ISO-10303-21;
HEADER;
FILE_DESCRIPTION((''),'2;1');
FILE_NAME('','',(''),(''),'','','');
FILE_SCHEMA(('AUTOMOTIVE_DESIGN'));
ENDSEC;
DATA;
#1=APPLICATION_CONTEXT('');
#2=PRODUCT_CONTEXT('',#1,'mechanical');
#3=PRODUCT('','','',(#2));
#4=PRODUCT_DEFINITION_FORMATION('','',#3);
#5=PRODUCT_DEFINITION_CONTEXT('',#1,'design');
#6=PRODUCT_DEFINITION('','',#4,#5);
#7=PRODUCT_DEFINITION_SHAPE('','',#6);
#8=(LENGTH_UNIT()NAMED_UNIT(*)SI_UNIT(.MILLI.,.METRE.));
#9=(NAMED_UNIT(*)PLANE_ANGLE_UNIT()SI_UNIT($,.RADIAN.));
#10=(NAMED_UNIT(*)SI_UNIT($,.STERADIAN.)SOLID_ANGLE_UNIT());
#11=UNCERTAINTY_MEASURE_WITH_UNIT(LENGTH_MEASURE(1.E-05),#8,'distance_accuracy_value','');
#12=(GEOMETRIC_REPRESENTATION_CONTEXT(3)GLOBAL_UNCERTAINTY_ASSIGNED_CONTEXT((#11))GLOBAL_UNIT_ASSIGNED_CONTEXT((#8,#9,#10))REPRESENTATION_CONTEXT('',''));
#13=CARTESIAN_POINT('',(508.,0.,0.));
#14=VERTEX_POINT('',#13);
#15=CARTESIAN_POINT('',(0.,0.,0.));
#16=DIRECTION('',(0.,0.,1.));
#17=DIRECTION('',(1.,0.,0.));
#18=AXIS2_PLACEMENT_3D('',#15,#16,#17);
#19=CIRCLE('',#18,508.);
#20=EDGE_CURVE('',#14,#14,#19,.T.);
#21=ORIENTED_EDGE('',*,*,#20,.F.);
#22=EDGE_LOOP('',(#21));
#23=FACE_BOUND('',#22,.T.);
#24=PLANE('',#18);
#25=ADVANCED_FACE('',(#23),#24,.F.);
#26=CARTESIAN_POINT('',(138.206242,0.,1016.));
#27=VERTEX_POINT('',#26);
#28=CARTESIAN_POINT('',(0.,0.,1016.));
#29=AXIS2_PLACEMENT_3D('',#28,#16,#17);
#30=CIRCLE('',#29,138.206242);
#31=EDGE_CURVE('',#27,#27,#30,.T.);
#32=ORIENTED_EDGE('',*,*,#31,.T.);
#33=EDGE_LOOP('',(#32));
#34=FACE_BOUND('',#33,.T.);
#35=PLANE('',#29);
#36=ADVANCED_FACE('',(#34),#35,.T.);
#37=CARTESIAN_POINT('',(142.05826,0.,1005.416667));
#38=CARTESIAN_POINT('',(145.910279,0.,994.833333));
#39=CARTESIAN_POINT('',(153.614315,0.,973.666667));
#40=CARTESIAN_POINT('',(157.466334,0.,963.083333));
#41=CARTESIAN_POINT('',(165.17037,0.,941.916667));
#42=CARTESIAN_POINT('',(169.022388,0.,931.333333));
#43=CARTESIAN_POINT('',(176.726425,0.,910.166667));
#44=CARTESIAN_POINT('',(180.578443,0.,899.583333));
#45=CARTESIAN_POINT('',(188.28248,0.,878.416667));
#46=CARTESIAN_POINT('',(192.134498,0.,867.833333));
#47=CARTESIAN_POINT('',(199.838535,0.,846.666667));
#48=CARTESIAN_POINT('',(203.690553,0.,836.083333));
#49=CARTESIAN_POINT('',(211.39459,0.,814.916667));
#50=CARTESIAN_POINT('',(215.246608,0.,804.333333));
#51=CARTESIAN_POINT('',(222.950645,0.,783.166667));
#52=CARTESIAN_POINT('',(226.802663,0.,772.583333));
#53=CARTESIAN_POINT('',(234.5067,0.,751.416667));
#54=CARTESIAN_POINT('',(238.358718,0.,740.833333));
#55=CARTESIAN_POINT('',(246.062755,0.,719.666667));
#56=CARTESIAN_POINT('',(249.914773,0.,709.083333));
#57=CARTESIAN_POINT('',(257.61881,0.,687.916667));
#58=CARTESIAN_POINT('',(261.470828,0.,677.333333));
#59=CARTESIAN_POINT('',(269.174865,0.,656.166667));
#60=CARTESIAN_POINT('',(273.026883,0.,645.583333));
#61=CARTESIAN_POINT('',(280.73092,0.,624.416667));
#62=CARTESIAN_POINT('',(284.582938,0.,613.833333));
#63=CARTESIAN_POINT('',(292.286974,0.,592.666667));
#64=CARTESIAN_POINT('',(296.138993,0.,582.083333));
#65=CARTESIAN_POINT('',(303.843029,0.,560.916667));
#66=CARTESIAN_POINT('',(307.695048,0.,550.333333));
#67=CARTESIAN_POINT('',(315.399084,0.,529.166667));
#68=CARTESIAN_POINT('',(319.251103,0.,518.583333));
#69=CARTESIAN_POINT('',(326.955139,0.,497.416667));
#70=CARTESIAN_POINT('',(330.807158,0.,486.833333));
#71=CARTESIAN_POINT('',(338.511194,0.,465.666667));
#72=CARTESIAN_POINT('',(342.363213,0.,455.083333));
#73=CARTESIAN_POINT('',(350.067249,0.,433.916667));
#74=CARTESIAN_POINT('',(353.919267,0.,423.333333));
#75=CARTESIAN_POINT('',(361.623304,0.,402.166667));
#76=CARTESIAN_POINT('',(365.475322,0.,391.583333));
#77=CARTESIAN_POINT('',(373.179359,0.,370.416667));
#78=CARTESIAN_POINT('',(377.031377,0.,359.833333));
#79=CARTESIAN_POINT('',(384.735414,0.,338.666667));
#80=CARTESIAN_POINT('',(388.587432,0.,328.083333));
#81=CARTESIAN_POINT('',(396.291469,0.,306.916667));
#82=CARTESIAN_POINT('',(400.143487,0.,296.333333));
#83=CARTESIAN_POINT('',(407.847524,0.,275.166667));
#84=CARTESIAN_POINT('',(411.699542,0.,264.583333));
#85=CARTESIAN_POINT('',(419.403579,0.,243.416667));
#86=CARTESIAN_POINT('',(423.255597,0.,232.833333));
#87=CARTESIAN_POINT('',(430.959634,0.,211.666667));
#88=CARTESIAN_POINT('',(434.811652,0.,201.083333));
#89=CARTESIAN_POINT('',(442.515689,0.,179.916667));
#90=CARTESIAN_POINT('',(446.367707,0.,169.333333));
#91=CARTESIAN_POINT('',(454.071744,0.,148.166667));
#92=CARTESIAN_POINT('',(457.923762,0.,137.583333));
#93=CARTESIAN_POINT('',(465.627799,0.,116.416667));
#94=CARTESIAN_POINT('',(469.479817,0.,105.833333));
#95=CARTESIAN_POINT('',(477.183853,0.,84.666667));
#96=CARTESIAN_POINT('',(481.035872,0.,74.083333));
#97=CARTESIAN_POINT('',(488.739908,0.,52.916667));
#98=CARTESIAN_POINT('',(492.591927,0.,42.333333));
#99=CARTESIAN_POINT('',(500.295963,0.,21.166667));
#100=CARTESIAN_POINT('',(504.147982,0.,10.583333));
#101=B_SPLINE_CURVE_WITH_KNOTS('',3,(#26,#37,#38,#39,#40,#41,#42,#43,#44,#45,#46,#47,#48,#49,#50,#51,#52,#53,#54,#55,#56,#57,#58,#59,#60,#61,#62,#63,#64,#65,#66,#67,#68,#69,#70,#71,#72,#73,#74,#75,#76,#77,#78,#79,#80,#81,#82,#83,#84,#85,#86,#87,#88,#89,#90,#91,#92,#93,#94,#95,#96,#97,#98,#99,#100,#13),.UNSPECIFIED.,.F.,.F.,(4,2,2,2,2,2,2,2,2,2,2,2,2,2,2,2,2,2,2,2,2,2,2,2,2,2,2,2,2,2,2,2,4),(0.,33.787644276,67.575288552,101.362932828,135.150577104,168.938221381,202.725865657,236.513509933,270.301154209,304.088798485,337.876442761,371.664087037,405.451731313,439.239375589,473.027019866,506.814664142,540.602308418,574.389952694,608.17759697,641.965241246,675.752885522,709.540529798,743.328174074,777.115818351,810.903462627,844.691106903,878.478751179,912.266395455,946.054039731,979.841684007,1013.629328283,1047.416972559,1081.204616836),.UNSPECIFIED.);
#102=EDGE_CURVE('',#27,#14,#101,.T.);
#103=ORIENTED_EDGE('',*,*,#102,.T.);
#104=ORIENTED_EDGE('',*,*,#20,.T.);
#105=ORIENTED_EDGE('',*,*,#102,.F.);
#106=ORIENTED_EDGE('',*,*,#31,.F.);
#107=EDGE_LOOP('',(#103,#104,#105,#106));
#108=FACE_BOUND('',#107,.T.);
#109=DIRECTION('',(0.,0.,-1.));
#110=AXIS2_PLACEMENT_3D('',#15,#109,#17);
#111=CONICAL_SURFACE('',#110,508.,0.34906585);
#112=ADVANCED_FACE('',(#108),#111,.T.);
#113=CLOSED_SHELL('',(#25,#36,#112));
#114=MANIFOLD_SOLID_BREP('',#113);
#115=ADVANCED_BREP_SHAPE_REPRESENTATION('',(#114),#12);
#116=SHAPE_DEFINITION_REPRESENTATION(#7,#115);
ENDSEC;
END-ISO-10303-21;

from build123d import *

# Parameters (mm, degrees)
SKETCH1_R           = 508
BOSS_EXTRUDE1_DEPTH = 1016
BOSS_EXTRUDE1_TAPER = 20


with BuildPart() as part:
    # Sketch1 → Boss-Extrude1 (new body)
    with BuildSketch(Plane.XY):
        Circle(SKETCH1_R)
    extrude(amount=BOSS_EXTRUDE1_DEPTH, taper=BOSS_EXTRUDE1_TAPER)


solid = part.part
